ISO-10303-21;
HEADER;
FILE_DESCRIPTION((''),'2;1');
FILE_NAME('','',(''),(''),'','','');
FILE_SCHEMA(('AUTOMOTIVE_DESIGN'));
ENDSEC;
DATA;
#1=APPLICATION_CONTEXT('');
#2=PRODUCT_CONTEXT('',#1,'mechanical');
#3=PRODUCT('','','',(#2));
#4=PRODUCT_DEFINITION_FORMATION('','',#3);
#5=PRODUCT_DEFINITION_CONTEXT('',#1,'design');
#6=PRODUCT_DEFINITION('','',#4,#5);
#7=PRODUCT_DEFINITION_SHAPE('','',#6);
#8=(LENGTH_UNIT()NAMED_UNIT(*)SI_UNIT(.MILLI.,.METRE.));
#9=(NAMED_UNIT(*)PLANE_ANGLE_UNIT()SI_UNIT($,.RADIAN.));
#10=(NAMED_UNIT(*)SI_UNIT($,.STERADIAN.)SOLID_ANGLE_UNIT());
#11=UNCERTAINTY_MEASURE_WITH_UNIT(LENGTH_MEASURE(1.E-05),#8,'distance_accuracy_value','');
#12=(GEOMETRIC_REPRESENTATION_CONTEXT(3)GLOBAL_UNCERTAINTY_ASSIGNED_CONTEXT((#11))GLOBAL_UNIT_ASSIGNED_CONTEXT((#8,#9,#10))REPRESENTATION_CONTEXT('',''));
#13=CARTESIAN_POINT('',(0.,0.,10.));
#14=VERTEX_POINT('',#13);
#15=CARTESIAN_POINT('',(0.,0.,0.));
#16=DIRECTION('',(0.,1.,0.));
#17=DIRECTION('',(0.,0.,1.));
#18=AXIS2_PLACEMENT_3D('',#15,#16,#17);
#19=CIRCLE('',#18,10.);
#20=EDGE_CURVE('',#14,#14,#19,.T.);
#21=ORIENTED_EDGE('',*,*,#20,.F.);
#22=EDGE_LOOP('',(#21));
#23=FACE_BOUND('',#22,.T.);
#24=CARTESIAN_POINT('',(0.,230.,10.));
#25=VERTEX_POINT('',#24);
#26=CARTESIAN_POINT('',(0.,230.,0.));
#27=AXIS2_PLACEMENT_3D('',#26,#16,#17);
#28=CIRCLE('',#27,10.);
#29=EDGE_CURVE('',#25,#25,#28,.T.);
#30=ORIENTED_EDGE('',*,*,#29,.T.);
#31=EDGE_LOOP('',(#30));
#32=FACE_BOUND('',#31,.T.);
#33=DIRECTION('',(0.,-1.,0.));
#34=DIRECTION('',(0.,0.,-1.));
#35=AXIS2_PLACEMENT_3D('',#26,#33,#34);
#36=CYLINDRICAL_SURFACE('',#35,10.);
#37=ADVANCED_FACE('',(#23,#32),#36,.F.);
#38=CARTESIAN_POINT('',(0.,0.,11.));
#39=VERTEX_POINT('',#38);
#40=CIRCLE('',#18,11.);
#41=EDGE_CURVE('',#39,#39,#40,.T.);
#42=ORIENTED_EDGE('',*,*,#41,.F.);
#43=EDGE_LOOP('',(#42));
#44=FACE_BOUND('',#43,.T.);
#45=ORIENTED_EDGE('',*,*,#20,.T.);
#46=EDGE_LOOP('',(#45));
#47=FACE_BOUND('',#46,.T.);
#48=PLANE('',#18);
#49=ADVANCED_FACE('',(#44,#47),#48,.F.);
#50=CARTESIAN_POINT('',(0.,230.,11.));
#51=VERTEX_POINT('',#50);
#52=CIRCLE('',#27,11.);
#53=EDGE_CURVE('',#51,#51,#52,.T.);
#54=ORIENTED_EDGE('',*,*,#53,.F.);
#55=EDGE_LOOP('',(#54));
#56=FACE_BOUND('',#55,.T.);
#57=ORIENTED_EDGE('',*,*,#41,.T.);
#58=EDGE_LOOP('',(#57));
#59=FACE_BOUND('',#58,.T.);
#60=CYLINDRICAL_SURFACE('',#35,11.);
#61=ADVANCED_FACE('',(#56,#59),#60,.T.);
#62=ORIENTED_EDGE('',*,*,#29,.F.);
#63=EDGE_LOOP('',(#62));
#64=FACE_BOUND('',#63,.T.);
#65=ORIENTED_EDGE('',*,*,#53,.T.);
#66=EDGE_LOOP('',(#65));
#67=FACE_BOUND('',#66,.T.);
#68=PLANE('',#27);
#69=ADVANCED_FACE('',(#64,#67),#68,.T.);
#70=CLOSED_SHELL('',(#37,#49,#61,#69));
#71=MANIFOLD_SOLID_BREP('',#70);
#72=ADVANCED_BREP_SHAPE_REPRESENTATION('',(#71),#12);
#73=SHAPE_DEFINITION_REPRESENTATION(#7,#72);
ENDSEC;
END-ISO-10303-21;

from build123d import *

# Parameters (mm, degrees)
SKETCH_1_R      = 11
SKETCH_1_R_2    = 10
EXTRUDE_1_DEPTH = 230


with BuildPart() as part:
    # 草图1 → 凸台-拉伸1 (new body)
    with BuildSketch(Plane(origin=(0, 0, 0), x_dir=(1, 0, 0), z_dir=(0, 1, 0))):
        Circle(SKETCH_1_R)
        Circle(SKETCH_1_R_2, mode=Mode.SUBTRACT)
    extrude(amount=EXTRUDE_1_DEPTH)


solid = part.part
